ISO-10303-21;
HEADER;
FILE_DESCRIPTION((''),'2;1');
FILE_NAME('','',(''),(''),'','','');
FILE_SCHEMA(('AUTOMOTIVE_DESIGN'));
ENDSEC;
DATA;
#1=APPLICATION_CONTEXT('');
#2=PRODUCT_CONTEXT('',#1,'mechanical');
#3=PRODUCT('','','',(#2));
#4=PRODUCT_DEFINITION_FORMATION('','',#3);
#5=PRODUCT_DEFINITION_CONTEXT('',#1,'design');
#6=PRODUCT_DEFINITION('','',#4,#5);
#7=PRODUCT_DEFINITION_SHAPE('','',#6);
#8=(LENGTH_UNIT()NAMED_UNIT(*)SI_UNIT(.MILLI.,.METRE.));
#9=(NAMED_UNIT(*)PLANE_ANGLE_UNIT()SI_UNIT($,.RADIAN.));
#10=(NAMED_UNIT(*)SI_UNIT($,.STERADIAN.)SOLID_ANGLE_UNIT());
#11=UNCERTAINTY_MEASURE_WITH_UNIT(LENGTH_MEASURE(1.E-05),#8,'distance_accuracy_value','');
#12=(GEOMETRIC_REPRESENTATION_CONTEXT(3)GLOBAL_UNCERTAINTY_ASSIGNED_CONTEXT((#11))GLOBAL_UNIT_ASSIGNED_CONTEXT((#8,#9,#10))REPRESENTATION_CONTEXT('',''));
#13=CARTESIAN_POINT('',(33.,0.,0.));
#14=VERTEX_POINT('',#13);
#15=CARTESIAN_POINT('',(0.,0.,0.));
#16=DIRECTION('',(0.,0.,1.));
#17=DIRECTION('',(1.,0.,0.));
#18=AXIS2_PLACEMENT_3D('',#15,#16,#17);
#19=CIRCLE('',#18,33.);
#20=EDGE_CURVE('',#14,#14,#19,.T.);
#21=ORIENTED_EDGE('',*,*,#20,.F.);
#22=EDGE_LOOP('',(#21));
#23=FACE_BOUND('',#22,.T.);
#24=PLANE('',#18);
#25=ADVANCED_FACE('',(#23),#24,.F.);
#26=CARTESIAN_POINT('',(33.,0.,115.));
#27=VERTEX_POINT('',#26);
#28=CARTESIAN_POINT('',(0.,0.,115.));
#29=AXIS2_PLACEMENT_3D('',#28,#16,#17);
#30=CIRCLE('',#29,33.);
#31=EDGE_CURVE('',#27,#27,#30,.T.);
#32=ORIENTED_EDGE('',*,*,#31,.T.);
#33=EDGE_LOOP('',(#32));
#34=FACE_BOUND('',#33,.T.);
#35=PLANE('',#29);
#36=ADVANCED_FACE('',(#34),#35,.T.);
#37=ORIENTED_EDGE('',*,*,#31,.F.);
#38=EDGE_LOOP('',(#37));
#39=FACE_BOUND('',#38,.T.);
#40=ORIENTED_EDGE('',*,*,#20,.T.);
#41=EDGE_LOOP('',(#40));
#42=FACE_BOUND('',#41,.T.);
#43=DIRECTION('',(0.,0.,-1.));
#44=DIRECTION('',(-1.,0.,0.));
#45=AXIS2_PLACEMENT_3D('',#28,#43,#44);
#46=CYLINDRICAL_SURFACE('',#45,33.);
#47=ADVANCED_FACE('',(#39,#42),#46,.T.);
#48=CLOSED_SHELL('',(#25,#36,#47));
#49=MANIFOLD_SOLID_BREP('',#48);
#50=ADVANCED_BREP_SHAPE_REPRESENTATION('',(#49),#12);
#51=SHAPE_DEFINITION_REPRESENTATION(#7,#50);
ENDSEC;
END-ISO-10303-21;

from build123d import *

# Parameters (mm, degrees)
SCHIZZO1_R                   = 33
ESTRUSIONE_ESTRUSIONE1_DEPTH = 115


with BuildPart() as part:
    # Schizzo1 → Estrusione-Estrusione1 (new body)
    with BuildSketch(Plane.XY):
        Circle(SCHIZZO1_R)
    extrude(amount=ESTRUSIONE_ESTRUSIONE1_DEPTH)


solid = part.part
